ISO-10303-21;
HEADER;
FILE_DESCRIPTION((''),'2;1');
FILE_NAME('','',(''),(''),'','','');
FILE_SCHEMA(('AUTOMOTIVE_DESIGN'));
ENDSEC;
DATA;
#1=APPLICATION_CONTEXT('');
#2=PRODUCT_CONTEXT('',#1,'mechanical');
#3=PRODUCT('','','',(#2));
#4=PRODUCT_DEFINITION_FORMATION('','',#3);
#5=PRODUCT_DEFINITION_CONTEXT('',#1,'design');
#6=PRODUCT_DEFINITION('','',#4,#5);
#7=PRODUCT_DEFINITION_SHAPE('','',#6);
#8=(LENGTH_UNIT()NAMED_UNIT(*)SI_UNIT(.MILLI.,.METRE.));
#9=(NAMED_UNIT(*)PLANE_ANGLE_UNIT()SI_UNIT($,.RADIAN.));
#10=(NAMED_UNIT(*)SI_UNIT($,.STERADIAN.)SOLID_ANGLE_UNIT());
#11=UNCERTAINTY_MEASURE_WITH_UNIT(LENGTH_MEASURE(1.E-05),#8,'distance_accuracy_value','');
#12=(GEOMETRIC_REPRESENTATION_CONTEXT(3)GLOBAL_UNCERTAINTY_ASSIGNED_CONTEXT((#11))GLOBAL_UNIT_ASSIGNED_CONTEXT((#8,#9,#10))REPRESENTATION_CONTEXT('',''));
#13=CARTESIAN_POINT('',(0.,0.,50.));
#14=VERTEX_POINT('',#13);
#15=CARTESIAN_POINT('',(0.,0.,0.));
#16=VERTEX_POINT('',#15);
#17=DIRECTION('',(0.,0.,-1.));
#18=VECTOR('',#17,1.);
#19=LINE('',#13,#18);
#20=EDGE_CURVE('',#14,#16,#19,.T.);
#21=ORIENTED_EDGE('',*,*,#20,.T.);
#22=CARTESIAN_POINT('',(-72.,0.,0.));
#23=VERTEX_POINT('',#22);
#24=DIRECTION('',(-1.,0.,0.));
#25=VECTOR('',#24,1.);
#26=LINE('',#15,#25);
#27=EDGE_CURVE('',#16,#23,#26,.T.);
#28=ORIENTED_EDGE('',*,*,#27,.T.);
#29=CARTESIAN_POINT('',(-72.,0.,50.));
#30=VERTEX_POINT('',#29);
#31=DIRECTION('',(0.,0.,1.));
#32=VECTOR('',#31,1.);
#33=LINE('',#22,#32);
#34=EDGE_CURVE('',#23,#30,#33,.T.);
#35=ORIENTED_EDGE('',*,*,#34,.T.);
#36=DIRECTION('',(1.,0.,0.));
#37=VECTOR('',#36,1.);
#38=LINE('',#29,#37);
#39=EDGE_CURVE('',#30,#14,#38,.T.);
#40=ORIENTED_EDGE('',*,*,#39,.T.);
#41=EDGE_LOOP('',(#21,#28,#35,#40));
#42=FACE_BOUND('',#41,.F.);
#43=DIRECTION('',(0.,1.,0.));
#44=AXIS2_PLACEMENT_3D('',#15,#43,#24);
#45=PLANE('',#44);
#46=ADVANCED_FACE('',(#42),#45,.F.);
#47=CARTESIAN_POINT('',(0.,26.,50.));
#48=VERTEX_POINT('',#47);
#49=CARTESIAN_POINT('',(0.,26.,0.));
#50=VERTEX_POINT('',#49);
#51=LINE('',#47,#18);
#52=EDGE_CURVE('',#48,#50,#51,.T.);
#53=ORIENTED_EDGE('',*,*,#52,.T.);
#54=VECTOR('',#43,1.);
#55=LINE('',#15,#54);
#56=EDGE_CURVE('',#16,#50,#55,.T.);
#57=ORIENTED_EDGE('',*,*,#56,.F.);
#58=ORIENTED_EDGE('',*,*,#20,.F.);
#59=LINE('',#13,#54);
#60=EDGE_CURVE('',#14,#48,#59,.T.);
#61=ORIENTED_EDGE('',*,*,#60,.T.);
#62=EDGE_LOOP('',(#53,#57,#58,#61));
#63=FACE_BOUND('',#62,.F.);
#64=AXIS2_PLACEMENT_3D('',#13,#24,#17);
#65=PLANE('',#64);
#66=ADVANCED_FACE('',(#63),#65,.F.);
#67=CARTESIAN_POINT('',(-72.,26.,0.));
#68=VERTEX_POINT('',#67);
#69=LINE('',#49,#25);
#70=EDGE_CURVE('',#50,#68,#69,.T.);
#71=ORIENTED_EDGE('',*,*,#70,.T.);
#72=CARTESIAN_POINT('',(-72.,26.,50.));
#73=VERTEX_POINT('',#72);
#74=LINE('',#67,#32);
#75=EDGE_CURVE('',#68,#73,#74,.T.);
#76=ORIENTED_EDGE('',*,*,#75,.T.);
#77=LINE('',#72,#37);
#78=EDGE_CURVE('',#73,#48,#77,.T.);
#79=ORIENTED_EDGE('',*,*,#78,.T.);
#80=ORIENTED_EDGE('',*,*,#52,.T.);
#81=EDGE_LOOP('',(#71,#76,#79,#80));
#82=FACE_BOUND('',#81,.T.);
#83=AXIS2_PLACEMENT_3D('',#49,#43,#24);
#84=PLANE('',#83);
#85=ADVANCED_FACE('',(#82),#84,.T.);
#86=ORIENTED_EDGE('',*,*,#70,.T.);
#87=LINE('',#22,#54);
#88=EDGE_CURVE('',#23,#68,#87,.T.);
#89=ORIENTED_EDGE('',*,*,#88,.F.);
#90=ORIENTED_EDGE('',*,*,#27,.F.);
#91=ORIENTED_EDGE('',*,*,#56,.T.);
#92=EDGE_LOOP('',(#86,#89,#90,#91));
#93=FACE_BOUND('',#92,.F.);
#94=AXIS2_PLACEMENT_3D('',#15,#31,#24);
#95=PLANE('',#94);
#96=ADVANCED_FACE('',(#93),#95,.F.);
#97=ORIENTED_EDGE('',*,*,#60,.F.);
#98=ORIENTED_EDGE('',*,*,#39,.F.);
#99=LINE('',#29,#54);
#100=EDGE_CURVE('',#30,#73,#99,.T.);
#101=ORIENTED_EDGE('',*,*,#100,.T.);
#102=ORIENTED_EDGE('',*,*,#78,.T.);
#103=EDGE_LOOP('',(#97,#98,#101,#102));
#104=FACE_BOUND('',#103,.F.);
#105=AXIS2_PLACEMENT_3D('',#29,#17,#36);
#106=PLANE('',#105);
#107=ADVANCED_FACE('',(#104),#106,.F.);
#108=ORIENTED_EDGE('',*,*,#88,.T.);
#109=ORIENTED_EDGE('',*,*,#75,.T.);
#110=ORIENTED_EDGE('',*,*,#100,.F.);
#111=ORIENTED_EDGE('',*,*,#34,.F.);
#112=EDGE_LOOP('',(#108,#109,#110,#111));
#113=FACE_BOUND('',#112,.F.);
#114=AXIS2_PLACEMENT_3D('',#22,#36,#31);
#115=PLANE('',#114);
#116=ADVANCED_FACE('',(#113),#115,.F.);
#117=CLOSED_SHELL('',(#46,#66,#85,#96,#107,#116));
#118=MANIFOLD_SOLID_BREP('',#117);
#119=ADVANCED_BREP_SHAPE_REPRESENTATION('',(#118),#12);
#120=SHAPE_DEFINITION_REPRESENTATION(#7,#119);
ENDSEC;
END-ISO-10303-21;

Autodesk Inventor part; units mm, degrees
ref_plane "YZ Plane" through (0, 0, 0) normal (1, 0, 0) x (0, 1, 0)
ref_plane "XZ Plane" through (0, 0, 0) normal (0, 1, 0) x (-1, 0, 0)
ref_plane "XY Plane" through (0, 0, 0) normal (0, 0, 1) x (1, 0, 0)
sketch "Esquisse1" plane through (0, 0, 0) normal (0, 1, 0) x (-1, 0, 0)
  line L0 (0, 0) -> (72, 0)
  line L1 (72, 0) -> (72, 50)
  line L2 (72, 50) -> (0, 50)
  line L3 (0, 50) -> (0, 0)
  dimension "d0" = 72
  dimension "d1" = 50
extrude "Extrusion1" add sketch "Esquisse1" along normal blind 26
properties part number "conrad_boitier_universel"
